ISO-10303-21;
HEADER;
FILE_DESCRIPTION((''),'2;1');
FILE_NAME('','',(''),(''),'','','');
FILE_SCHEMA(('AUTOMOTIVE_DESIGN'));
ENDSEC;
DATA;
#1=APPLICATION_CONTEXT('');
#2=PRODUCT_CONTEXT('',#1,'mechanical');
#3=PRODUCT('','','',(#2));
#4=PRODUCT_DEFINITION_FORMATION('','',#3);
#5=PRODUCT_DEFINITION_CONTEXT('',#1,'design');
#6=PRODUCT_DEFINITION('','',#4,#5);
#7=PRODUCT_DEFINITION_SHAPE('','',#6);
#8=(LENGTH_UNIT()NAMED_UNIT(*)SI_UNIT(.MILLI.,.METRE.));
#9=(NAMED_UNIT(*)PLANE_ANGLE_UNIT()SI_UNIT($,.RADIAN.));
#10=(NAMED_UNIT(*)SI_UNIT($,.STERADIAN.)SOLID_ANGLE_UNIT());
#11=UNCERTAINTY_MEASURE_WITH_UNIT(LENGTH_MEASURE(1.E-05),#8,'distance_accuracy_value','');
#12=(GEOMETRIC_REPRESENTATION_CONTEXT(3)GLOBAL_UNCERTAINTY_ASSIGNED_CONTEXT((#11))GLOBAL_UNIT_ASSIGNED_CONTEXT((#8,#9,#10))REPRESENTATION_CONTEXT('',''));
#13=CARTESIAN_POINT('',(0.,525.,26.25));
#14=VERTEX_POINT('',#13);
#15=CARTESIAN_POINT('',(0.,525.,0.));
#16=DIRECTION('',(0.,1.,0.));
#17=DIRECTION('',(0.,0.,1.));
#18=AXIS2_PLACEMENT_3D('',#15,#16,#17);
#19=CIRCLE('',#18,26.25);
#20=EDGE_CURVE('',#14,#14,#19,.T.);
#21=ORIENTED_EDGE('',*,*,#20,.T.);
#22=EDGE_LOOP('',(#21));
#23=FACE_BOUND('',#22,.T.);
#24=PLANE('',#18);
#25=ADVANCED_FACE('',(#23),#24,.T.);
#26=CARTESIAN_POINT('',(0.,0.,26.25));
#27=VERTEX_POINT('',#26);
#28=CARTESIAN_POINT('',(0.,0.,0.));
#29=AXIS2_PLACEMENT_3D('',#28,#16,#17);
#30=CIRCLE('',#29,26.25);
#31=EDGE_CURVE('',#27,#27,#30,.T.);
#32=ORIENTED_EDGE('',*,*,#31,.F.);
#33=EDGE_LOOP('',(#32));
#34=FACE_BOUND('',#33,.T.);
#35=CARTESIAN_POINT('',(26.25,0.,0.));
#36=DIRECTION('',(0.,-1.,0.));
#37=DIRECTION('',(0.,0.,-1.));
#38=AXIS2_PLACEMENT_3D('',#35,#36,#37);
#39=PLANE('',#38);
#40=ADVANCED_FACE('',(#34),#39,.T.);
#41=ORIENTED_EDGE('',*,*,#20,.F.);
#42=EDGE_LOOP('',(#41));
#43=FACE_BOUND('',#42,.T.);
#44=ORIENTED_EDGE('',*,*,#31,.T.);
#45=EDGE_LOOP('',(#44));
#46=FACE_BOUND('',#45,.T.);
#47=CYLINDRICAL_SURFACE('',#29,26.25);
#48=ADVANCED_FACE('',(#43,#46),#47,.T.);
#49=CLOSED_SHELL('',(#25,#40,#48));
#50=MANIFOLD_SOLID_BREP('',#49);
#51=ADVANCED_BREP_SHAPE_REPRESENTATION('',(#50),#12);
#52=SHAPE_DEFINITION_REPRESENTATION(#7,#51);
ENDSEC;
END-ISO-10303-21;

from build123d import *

# Parameters (mm, degrees)
SKETCH1_W = 26.25
SKETCH1_H = 525


with BuildPart() as part:
    # Sketch1 → Revolve1 (revolve)
    with BuildSketch(Plane(origin=(0, 0, 0), x_dir=(-1, 0, 0), z_dir=(0, 0, -1))):
        with Locations((-13.125, 262.5)):
            Rectangle(SKETCH1_W, SKETCH1_H)
    revolve(axis=Axis((0, 0, 0), (0, 1, 0)))


solid = part.part
